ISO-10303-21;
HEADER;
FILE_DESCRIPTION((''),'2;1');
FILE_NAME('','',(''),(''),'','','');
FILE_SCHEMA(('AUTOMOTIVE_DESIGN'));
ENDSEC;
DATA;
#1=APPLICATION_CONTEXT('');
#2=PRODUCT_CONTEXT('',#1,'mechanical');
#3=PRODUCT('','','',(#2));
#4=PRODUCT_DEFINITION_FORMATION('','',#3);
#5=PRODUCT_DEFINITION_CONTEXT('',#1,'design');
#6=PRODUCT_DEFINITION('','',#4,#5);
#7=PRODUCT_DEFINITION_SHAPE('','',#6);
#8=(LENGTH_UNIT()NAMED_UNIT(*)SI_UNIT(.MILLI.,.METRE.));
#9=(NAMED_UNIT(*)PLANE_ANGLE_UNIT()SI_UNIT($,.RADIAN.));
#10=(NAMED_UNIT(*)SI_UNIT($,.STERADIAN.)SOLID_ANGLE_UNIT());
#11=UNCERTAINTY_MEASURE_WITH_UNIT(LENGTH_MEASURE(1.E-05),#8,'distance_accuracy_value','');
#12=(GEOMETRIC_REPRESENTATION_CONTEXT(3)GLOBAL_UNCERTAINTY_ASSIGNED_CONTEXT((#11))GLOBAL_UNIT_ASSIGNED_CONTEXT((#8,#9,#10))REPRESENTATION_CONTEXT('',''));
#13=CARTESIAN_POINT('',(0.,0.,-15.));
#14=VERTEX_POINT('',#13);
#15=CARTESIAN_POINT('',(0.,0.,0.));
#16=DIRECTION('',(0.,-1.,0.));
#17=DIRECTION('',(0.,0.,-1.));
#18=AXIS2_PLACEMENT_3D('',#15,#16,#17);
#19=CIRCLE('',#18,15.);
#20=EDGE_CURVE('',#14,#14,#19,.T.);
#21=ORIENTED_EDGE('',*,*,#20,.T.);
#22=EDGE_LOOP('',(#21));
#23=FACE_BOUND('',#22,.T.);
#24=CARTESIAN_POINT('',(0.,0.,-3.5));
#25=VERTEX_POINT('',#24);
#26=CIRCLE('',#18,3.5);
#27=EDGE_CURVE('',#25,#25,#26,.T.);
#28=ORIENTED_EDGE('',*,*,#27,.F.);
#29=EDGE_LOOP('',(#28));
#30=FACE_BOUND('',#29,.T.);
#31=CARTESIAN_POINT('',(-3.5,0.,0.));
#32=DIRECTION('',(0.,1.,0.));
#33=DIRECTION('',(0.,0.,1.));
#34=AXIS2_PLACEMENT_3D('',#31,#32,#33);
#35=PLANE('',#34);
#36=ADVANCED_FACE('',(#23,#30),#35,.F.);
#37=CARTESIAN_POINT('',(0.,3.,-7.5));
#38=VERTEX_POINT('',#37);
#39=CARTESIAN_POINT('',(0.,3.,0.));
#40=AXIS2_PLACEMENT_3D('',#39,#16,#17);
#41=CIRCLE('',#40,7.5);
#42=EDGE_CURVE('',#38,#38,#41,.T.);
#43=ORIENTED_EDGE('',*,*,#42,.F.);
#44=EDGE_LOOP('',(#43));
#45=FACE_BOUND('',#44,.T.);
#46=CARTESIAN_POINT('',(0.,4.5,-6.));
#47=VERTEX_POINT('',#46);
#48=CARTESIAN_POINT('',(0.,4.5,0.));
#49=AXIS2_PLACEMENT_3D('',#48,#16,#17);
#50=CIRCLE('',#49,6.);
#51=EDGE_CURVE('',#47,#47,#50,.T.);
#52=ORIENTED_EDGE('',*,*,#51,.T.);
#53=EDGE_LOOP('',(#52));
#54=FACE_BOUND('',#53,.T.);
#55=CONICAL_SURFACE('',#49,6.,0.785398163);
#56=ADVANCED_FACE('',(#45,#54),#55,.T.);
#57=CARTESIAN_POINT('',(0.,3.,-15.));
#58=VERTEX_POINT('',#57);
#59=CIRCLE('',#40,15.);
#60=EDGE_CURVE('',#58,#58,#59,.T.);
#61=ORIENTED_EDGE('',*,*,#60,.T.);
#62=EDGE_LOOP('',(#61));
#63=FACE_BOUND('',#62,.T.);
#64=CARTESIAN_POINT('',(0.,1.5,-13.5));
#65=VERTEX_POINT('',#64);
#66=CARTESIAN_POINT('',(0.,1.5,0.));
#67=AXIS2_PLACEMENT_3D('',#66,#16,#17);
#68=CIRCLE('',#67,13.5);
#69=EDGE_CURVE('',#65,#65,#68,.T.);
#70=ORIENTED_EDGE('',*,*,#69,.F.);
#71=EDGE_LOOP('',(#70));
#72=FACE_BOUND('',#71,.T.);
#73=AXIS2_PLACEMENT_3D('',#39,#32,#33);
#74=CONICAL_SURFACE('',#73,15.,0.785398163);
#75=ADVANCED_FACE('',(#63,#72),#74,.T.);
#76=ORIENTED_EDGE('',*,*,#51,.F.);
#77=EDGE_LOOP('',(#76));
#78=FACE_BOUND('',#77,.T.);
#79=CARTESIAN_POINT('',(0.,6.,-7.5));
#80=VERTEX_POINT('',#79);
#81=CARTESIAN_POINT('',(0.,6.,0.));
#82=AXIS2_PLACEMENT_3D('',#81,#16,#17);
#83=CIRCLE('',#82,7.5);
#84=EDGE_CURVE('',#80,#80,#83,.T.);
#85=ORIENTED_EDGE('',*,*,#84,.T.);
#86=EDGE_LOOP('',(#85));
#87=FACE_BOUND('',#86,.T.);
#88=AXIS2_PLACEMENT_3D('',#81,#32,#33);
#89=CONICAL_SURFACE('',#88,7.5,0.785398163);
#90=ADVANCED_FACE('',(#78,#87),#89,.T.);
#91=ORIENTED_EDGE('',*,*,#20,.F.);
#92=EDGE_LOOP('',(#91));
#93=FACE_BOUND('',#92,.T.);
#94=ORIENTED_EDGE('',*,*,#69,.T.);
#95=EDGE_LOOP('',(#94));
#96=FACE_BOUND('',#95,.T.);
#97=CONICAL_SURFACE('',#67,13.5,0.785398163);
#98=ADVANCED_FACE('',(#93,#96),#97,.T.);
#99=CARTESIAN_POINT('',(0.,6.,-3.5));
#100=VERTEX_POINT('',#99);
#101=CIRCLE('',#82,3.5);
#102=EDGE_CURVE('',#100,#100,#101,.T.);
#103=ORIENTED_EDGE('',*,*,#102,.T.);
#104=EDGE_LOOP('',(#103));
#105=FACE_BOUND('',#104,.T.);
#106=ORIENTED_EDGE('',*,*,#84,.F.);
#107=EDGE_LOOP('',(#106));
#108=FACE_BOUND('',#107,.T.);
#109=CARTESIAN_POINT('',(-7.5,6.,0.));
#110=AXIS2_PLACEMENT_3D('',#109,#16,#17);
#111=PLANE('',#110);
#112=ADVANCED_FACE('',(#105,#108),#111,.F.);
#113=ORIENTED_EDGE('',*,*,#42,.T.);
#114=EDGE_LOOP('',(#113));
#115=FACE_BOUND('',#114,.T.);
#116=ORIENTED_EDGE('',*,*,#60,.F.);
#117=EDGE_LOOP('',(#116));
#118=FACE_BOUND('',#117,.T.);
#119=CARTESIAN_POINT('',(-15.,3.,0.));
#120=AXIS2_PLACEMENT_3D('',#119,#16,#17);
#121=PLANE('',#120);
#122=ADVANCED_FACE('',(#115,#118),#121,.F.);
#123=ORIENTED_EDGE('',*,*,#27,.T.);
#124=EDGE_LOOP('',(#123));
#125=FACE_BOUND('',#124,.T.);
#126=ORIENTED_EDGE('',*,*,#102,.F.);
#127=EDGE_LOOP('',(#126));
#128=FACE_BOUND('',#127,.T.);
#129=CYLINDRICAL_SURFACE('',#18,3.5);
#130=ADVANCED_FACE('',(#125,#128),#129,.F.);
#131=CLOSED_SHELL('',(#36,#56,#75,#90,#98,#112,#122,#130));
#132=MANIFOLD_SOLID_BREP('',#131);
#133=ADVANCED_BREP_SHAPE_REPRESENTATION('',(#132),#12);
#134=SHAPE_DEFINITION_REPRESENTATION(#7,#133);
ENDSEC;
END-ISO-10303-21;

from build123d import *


with BuildPart() as part:
    # Sketch1 → Revolve1 (revolve)
    with BuildSketch(Plane.XY, mode=Mode.PRIVATE) as revolve1_sk:
        Polygon((-3.5, 6), (-3.5, 0), (-15, 0), (-13.5, 1.5), (-15, 3), (-7.5, 3), (-6, 4.5), (-7.5, 6), align=None)
    revolve(revolve1_sk.sketch.rotate(Axis((0, 0, 0), (0, 1, 0)), 270), axis=Axis((0, 0, 0), (0, 1, 0)))


solid = part.part
